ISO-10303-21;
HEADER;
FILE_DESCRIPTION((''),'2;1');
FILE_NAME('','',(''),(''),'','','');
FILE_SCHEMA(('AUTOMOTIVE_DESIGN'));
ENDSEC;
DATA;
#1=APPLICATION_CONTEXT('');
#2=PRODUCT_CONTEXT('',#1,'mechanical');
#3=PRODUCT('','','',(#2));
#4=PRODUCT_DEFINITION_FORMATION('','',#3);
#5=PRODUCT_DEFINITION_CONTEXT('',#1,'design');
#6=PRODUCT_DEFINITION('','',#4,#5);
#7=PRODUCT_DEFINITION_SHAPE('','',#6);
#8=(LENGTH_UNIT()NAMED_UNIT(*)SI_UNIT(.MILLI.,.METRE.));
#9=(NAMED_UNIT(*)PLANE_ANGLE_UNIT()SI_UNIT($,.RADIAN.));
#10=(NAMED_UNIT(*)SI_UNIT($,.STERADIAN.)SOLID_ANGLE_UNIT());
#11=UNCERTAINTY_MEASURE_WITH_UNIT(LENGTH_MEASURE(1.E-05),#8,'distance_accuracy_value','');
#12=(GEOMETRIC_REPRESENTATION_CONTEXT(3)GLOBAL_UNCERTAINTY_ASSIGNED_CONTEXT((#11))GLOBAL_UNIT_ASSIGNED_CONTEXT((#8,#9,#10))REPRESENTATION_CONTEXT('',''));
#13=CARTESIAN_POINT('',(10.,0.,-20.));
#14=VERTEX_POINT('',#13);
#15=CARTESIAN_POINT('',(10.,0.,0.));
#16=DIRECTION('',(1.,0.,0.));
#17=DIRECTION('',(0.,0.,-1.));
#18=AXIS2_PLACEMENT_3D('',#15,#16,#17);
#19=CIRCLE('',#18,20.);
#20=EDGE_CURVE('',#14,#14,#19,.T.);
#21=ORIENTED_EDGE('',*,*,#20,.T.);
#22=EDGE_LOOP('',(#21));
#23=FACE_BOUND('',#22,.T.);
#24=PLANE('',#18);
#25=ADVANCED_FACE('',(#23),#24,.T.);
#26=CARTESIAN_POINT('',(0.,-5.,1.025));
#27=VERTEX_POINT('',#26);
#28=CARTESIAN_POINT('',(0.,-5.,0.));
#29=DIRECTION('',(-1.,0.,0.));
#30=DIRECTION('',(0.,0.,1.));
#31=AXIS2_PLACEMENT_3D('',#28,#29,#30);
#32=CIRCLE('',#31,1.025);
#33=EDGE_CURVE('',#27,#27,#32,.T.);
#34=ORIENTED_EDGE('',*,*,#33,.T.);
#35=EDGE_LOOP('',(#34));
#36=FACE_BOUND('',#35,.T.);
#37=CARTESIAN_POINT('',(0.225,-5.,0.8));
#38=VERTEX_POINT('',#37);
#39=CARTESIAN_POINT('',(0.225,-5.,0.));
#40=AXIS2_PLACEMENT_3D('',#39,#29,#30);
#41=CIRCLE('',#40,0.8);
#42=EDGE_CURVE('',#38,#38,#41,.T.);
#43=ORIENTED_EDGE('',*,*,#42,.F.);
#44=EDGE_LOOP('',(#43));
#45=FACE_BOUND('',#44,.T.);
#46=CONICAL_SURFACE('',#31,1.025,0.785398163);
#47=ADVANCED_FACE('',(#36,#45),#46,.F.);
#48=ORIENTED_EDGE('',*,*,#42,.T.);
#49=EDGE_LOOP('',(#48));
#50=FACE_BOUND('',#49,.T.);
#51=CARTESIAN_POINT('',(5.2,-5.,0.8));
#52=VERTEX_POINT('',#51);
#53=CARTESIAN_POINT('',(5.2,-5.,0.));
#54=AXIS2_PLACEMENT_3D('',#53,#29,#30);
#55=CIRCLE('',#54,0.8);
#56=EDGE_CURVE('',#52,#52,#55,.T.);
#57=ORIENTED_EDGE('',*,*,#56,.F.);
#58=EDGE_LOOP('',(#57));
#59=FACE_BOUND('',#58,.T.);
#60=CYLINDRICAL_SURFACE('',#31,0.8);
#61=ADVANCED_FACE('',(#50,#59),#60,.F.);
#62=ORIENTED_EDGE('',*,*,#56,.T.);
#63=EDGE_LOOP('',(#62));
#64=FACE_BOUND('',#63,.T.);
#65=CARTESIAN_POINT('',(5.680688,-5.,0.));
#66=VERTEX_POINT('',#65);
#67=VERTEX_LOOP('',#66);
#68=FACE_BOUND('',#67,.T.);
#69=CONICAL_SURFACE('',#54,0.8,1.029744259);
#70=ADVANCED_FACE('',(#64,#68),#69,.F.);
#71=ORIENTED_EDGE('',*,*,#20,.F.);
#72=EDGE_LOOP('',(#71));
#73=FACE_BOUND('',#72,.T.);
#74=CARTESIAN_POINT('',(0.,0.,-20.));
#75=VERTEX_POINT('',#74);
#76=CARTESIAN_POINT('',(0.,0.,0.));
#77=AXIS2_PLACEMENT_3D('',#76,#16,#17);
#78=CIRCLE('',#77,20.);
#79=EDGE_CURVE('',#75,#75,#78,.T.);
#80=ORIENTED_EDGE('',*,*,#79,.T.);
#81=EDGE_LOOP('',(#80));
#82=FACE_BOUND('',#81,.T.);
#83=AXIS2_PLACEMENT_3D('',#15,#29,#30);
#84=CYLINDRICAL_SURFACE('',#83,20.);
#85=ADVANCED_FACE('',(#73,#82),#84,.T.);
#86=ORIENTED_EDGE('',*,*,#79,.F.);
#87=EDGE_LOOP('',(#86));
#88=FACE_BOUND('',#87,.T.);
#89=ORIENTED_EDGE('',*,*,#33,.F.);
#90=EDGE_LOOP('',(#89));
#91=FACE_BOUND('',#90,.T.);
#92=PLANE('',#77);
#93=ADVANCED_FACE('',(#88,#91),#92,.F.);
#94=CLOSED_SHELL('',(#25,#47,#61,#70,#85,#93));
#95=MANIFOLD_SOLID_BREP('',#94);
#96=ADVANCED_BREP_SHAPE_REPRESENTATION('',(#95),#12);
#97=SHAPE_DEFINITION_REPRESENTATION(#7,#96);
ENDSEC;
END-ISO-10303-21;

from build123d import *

# Parameters (mm, degrees)
SKETCH1_R                       = 20
BOSS_EXTRUDE1_DEPTH             = 10
M2X0_4_TAPPED_HOLE1_D           = 1.6
M2X0_4_TAPPED_HOLE1_DEPTH       = 5.2
M2X0_4_TAPPED_HOLE1_CSINK_D     = 2.05
M2X0_4_TAPPED_HOLE1_CSINK_ANGLE = 90
M2X0_4_TAPPED_HOLE1_TIP         = 0.480688495


with BuildPart() as part:
    # Sketch1 → Boss-Extrude1 (new body)
    with BuildSketch(Plane(origin=(0, 0, 0), x_dir=(0, 0, -1), z_dir=(1, 0, 0))):
        Circle(SKETCH1_R)
    extrude(amount=BOSS_EXTRUDE1_DEPTH)

    # M2x0.4 Tapped Hole1
    with Locations(Plane.ZY):
        with Locations((0, -5)):
            CounterSinkHole(M2X0_4_TAPPED_HOLE1_D / 2, M2X0_4_TAPPED_HOLE1_CSINK_D / 2, depth=M2X0_4_TAPPED_HOLE1_DEPTH, counter_sink_angle=M2X0_4_TAPPED_HOLE1_CSINK_ANGLE)
            with Locations((0, 0, -(M2X0_4_TAPPED_HOLE1_DEPTH + M2X0_4_TAPPED_HOLE1_TIP / 2))):  # 118° drill point
                Cone(0, M2X0_4_TAPPED_HOLE1_D / 2, M2X0_4_TAPPED_HOLE1_TIP, mode=Mode.SUBTRACT)


solid = part.part
